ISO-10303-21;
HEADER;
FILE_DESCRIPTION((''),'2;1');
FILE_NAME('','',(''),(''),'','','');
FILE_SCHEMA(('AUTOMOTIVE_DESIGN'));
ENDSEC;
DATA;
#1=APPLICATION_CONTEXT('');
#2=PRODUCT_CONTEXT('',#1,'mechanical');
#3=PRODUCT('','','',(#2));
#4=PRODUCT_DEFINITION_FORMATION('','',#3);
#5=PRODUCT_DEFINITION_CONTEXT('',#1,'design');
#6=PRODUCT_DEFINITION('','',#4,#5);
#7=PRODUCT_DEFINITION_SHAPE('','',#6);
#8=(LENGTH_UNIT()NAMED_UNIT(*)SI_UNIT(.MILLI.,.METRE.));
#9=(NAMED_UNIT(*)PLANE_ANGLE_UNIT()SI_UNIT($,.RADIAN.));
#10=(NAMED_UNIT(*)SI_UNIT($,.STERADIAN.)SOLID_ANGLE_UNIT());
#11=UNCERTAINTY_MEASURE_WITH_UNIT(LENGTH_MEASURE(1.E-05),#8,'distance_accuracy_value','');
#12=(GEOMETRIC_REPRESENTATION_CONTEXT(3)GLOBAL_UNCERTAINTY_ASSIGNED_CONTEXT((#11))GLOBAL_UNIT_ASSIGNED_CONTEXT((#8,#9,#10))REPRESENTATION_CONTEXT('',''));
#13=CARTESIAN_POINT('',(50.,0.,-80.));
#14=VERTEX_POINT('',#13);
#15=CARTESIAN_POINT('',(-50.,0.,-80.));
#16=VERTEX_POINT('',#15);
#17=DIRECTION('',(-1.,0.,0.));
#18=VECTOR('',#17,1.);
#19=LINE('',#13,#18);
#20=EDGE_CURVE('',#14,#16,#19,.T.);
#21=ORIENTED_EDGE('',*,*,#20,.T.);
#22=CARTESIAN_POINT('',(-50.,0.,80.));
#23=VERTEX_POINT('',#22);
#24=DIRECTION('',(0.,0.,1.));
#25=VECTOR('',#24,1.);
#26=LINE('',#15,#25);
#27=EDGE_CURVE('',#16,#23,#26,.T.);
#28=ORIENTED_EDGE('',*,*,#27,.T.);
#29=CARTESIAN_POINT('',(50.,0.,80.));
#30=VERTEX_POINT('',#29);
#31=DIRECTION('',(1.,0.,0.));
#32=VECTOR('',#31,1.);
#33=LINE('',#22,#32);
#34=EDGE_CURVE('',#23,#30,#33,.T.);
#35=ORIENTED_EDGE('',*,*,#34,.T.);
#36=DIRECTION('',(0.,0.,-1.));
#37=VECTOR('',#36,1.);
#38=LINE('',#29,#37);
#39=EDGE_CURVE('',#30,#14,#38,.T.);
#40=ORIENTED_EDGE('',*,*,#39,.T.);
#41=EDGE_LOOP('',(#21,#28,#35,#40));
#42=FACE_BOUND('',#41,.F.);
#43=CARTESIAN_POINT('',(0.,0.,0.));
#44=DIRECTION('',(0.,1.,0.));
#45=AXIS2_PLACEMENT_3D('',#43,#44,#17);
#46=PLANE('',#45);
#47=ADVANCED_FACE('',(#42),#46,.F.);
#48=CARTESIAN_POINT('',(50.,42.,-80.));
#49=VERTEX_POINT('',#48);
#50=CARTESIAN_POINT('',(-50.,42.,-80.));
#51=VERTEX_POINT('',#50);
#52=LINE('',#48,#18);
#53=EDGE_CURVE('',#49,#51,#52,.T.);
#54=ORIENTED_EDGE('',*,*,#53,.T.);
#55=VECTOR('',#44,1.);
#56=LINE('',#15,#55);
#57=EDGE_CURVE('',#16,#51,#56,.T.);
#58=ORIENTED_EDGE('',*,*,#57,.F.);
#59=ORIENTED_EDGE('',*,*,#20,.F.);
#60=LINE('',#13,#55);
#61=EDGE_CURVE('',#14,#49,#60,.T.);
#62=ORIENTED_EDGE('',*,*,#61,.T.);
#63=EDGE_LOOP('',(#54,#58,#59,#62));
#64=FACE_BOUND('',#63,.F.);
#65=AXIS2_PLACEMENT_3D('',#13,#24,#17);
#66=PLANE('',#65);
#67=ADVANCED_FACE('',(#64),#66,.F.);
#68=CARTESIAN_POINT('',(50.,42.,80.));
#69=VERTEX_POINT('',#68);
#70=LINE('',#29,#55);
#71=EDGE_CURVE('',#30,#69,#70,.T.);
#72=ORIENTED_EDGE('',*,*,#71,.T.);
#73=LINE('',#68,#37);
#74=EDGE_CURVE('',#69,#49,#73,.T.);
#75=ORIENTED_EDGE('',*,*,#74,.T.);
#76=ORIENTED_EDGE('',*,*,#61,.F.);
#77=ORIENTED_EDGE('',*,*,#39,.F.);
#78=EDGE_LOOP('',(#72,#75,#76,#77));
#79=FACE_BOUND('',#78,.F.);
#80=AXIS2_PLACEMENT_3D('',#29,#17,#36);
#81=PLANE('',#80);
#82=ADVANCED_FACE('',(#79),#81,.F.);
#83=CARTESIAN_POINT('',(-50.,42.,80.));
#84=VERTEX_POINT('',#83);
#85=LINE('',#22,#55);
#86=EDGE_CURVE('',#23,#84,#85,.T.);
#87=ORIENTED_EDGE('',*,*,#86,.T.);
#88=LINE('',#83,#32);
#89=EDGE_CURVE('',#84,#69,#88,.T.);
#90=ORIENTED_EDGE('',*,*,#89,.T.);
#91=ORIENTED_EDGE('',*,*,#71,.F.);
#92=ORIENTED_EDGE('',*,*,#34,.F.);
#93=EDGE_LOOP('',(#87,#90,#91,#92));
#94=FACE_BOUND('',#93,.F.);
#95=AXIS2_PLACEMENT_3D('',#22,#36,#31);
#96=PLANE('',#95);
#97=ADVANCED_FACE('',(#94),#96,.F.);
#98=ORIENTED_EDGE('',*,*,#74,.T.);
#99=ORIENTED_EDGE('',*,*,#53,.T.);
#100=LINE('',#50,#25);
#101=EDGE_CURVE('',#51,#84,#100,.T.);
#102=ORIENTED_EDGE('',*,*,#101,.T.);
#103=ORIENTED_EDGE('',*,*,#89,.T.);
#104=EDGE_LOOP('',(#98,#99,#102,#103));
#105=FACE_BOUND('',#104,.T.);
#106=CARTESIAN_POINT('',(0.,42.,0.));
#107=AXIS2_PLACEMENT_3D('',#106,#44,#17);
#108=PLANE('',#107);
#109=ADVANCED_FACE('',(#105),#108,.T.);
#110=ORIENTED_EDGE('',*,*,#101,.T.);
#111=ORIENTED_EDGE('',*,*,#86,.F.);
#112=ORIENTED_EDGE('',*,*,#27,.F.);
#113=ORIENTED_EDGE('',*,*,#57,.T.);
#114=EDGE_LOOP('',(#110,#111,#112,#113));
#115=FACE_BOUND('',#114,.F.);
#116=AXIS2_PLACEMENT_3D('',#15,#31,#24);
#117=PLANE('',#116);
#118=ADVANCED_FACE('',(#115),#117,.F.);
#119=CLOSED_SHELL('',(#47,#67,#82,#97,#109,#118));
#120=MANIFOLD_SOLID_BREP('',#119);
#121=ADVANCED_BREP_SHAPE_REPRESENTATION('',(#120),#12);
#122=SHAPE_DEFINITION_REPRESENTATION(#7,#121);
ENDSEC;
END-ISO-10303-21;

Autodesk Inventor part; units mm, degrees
ref_plane "YZ Plane" through (0, 0, 0) normal (1, 0, 0) x (0, 1, 0)
ref_plane "XZ Plane" through (0, 0, 0) normal (0, 1, 0) x (-1, 0, 0)
ref_plane "XY Plane" through (0, 0, 0) normal (0, 0, 1) x (1, 0, 0)
sketch "Sketch1" plane through (0, 0, 0) normal (0, 1, 0) x (-1, 0, 0)
  line L0 (50, 80) -> (-50, 80)
  line L1 (-50, 80) -> (-50, -80)
  line L2 (-50, -80) -> (50, -80)
  line L3 (50, -80) -> (50, 80)
  point P0 (0, 0)
  point P1 (0, -80)
  point P2 (50, 0)
  dimension "d0" = 100
  dimension "d1" = 160
extrude "Extrusion1" add sketch "Sketch1" along normal blind 42
properties part number "power supply"
